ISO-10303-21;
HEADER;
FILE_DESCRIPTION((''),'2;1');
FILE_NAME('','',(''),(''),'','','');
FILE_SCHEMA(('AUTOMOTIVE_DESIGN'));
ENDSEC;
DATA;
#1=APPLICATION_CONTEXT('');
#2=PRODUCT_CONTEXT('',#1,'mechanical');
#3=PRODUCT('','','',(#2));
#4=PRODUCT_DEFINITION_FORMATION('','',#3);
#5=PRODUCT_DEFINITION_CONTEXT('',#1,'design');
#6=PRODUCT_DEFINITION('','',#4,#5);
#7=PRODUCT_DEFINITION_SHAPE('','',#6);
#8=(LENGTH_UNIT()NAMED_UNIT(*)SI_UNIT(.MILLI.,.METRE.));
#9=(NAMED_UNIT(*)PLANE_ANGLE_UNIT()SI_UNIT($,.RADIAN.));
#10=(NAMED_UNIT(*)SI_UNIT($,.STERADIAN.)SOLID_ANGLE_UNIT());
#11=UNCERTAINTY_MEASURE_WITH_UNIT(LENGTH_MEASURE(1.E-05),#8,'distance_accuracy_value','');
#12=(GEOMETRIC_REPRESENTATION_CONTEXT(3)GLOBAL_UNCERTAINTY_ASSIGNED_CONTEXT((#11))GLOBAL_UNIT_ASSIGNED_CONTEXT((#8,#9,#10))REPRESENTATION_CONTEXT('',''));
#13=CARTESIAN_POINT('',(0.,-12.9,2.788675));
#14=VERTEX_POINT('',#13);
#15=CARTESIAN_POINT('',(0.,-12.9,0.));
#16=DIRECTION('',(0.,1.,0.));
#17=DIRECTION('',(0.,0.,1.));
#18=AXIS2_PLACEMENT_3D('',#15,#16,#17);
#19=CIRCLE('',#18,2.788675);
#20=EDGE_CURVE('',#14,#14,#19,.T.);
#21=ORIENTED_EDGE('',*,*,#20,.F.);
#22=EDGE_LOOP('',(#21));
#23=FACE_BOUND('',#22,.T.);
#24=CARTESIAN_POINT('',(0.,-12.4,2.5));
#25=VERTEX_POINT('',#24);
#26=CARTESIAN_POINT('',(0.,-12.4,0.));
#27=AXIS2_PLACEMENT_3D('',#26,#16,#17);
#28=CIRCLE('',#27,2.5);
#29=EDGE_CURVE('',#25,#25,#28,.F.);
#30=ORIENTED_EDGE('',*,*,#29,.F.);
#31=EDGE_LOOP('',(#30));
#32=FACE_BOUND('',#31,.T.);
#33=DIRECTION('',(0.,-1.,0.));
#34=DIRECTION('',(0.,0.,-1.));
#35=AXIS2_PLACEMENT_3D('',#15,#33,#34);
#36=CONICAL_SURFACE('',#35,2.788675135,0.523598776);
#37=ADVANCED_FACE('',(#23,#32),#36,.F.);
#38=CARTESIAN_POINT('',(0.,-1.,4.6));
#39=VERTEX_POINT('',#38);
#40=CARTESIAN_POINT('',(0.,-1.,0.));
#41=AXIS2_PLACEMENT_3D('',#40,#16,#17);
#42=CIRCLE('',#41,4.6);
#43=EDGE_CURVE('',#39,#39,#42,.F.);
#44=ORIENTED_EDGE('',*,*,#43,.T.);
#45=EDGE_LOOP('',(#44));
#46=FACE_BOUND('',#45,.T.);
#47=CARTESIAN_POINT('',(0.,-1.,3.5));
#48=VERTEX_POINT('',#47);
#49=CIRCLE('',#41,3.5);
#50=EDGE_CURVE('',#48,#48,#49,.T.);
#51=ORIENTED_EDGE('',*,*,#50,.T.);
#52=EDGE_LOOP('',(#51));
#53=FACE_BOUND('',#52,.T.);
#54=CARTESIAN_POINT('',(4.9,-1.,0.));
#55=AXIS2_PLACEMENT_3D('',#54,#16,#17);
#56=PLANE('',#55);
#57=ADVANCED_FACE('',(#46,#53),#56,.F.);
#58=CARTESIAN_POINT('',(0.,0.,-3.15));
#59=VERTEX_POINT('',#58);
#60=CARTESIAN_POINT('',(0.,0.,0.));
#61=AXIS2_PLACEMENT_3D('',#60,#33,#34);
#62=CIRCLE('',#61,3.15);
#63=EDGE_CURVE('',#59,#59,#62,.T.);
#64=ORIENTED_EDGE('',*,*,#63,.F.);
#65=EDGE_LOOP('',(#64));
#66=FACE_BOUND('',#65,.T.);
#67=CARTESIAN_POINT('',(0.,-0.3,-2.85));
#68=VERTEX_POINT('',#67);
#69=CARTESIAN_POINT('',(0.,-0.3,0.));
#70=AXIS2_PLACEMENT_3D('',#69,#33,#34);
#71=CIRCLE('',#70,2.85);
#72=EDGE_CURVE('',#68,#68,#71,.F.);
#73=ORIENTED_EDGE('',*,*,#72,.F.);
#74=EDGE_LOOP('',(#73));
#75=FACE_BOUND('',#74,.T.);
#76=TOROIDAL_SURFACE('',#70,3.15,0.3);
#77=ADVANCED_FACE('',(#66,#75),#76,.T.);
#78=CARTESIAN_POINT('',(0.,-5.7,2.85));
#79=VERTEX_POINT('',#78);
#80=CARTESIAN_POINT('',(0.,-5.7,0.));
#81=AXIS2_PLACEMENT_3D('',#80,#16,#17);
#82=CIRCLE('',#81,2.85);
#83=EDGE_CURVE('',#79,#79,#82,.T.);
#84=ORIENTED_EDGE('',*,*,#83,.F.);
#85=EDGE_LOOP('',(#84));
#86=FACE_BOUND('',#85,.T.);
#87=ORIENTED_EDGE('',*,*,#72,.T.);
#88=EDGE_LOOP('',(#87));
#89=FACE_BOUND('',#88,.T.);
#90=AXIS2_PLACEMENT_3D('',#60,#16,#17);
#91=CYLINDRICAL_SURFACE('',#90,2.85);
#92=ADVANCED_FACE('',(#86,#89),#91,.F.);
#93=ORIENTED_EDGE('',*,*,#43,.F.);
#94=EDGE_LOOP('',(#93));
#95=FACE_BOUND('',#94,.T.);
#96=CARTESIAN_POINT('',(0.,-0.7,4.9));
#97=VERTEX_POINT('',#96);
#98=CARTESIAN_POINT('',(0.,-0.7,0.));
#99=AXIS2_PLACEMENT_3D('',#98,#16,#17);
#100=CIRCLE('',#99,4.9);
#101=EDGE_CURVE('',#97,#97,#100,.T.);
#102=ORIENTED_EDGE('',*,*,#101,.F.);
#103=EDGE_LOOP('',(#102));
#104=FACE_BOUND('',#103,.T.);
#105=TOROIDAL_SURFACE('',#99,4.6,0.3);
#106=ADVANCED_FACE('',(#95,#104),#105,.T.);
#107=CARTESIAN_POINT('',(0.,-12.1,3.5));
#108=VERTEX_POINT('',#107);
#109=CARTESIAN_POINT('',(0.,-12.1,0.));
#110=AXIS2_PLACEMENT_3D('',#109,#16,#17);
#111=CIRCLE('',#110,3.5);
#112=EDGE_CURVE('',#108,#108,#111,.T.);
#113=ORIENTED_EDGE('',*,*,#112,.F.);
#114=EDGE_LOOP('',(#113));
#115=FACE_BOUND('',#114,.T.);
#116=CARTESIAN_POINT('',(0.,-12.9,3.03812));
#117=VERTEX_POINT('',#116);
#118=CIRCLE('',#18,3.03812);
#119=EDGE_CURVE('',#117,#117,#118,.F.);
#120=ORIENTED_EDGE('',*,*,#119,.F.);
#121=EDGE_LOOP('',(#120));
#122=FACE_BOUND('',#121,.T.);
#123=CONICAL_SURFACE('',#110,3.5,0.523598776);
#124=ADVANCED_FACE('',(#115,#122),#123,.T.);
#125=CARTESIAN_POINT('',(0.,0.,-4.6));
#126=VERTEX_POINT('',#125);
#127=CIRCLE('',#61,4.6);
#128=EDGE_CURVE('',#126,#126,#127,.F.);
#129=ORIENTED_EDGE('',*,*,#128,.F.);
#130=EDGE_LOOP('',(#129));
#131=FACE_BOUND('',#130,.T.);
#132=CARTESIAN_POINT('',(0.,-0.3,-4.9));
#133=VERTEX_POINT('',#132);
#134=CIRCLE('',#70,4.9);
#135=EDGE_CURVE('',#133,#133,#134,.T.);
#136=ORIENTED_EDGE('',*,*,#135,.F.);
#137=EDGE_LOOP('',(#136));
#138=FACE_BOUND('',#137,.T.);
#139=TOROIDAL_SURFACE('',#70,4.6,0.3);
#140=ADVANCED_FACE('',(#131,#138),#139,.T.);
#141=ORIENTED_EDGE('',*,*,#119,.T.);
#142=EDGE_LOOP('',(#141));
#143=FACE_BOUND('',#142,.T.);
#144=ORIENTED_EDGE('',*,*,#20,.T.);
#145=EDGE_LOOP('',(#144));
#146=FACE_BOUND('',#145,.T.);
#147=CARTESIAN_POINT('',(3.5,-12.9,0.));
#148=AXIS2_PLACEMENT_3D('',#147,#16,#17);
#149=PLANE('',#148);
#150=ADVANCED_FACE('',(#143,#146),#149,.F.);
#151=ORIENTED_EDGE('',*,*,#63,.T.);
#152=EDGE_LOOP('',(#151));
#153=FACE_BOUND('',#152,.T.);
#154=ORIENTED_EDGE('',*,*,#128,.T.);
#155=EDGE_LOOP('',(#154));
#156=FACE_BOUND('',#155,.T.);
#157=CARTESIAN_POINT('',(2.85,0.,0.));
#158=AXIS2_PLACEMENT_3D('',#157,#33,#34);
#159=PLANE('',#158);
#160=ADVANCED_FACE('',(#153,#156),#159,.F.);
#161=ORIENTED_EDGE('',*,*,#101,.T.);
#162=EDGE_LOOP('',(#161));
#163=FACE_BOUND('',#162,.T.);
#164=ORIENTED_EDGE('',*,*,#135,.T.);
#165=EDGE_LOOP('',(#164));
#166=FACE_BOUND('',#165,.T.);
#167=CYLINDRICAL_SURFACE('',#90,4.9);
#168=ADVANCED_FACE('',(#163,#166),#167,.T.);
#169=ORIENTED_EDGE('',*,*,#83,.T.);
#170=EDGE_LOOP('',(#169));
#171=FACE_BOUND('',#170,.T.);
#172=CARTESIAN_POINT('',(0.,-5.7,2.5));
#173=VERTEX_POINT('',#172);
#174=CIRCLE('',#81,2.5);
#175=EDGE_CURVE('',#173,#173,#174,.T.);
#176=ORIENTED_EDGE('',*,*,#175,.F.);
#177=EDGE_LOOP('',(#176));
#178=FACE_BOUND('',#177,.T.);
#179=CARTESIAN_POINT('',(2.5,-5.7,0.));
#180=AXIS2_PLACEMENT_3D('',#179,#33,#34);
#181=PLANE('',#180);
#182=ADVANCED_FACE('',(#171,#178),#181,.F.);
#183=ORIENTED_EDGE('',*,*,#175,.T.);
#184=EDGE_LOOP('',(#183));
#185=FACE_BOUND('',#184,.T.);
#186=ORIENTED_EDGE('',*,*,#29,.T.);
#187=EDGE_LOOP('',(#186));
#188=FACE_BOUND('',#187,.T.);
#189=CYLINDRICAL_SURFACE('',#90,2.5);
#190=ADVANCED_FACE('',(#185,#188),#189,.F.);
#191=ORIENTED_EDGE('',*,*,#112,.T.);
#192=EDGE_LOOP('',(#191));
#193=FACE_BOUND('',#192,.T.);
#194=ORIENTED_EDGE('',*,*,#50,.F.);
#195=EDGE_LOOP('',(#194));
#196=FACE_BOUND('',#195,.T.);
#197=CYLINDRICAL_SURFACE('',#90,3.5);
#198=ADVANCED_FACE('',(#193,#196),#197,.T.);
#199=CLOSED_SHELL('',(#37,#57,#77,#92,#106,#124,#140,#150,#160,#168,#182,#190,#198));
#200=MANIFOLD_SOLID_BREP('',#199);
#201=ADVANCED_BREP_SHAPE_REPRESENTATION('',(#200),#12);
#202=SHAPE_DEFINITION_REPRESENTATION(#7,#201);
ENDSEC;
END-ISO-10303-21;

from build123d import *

# Parameters (mm, degrees)
FILLET1_R      = 0.3
CHAMFER1_SIZE  = 0.8
CHAMFER1_SIZE2 = 0.461880215
CHAMFER2_SIZE  = 0.5
CHAMFER2_SIZE2 = 0.288675135


with BuildPart() as part:
    # Sketch1 → Revolve1 (revolve)
    with BuildSketch(Plane.XY):
        Polygon((2.85, 0), (4.9, 0), (4.9, -1), (3.5, -1), (3.5, -12.9), (2.5, -12.9), (2.5, -5.7), (2.85, -5.7), align=None)
    revolve(axis=Axis((0, 0, 0), (0, -1, 0)))

    # Fillet1
    fillet1_edges = [part.edges().sort_by_distance(p)[0] for p in [
        (-4.9, -1, 0),
        (-4.9, 0, 0),
        (-2.85, 0, 0),
    ]]
    fillet(fillet1_edges, radius=FILLET1_R)

    # Chamfer1
    chamfer1_edges = [part.edges().sort_by_distance(p)[0] for p in [
        (-3.5, -12.9, 0),
    ]]
    chamfer1_side = [part.faces().sort_by_distance(p)[0] for p in [
        (-3.5, -6.95, 0),
    ]]
    chamfer(chamfer1_edges, length=CHAMFER1_SIZE, length2=CHAMFER1_SIZE2, reference=chamfer1_side[0])

    # Chamfer2
    chamfer2_edges = [part.edges().sort_by_distance(p)[0] for p in [
        (-2.5, -12.9, 0),
    ]]
    chamfer2_side = [part.faces().sort_by_distance(p)[0] for p in [
        (-2.5, -9.3, 0),
    ]]
    chamfer(chamfer2_edges, length=CHAMFER2_SIZE, length2=CHAMFER2_SIZE2, reference=chamfer2_side[0])


solid = part.part
